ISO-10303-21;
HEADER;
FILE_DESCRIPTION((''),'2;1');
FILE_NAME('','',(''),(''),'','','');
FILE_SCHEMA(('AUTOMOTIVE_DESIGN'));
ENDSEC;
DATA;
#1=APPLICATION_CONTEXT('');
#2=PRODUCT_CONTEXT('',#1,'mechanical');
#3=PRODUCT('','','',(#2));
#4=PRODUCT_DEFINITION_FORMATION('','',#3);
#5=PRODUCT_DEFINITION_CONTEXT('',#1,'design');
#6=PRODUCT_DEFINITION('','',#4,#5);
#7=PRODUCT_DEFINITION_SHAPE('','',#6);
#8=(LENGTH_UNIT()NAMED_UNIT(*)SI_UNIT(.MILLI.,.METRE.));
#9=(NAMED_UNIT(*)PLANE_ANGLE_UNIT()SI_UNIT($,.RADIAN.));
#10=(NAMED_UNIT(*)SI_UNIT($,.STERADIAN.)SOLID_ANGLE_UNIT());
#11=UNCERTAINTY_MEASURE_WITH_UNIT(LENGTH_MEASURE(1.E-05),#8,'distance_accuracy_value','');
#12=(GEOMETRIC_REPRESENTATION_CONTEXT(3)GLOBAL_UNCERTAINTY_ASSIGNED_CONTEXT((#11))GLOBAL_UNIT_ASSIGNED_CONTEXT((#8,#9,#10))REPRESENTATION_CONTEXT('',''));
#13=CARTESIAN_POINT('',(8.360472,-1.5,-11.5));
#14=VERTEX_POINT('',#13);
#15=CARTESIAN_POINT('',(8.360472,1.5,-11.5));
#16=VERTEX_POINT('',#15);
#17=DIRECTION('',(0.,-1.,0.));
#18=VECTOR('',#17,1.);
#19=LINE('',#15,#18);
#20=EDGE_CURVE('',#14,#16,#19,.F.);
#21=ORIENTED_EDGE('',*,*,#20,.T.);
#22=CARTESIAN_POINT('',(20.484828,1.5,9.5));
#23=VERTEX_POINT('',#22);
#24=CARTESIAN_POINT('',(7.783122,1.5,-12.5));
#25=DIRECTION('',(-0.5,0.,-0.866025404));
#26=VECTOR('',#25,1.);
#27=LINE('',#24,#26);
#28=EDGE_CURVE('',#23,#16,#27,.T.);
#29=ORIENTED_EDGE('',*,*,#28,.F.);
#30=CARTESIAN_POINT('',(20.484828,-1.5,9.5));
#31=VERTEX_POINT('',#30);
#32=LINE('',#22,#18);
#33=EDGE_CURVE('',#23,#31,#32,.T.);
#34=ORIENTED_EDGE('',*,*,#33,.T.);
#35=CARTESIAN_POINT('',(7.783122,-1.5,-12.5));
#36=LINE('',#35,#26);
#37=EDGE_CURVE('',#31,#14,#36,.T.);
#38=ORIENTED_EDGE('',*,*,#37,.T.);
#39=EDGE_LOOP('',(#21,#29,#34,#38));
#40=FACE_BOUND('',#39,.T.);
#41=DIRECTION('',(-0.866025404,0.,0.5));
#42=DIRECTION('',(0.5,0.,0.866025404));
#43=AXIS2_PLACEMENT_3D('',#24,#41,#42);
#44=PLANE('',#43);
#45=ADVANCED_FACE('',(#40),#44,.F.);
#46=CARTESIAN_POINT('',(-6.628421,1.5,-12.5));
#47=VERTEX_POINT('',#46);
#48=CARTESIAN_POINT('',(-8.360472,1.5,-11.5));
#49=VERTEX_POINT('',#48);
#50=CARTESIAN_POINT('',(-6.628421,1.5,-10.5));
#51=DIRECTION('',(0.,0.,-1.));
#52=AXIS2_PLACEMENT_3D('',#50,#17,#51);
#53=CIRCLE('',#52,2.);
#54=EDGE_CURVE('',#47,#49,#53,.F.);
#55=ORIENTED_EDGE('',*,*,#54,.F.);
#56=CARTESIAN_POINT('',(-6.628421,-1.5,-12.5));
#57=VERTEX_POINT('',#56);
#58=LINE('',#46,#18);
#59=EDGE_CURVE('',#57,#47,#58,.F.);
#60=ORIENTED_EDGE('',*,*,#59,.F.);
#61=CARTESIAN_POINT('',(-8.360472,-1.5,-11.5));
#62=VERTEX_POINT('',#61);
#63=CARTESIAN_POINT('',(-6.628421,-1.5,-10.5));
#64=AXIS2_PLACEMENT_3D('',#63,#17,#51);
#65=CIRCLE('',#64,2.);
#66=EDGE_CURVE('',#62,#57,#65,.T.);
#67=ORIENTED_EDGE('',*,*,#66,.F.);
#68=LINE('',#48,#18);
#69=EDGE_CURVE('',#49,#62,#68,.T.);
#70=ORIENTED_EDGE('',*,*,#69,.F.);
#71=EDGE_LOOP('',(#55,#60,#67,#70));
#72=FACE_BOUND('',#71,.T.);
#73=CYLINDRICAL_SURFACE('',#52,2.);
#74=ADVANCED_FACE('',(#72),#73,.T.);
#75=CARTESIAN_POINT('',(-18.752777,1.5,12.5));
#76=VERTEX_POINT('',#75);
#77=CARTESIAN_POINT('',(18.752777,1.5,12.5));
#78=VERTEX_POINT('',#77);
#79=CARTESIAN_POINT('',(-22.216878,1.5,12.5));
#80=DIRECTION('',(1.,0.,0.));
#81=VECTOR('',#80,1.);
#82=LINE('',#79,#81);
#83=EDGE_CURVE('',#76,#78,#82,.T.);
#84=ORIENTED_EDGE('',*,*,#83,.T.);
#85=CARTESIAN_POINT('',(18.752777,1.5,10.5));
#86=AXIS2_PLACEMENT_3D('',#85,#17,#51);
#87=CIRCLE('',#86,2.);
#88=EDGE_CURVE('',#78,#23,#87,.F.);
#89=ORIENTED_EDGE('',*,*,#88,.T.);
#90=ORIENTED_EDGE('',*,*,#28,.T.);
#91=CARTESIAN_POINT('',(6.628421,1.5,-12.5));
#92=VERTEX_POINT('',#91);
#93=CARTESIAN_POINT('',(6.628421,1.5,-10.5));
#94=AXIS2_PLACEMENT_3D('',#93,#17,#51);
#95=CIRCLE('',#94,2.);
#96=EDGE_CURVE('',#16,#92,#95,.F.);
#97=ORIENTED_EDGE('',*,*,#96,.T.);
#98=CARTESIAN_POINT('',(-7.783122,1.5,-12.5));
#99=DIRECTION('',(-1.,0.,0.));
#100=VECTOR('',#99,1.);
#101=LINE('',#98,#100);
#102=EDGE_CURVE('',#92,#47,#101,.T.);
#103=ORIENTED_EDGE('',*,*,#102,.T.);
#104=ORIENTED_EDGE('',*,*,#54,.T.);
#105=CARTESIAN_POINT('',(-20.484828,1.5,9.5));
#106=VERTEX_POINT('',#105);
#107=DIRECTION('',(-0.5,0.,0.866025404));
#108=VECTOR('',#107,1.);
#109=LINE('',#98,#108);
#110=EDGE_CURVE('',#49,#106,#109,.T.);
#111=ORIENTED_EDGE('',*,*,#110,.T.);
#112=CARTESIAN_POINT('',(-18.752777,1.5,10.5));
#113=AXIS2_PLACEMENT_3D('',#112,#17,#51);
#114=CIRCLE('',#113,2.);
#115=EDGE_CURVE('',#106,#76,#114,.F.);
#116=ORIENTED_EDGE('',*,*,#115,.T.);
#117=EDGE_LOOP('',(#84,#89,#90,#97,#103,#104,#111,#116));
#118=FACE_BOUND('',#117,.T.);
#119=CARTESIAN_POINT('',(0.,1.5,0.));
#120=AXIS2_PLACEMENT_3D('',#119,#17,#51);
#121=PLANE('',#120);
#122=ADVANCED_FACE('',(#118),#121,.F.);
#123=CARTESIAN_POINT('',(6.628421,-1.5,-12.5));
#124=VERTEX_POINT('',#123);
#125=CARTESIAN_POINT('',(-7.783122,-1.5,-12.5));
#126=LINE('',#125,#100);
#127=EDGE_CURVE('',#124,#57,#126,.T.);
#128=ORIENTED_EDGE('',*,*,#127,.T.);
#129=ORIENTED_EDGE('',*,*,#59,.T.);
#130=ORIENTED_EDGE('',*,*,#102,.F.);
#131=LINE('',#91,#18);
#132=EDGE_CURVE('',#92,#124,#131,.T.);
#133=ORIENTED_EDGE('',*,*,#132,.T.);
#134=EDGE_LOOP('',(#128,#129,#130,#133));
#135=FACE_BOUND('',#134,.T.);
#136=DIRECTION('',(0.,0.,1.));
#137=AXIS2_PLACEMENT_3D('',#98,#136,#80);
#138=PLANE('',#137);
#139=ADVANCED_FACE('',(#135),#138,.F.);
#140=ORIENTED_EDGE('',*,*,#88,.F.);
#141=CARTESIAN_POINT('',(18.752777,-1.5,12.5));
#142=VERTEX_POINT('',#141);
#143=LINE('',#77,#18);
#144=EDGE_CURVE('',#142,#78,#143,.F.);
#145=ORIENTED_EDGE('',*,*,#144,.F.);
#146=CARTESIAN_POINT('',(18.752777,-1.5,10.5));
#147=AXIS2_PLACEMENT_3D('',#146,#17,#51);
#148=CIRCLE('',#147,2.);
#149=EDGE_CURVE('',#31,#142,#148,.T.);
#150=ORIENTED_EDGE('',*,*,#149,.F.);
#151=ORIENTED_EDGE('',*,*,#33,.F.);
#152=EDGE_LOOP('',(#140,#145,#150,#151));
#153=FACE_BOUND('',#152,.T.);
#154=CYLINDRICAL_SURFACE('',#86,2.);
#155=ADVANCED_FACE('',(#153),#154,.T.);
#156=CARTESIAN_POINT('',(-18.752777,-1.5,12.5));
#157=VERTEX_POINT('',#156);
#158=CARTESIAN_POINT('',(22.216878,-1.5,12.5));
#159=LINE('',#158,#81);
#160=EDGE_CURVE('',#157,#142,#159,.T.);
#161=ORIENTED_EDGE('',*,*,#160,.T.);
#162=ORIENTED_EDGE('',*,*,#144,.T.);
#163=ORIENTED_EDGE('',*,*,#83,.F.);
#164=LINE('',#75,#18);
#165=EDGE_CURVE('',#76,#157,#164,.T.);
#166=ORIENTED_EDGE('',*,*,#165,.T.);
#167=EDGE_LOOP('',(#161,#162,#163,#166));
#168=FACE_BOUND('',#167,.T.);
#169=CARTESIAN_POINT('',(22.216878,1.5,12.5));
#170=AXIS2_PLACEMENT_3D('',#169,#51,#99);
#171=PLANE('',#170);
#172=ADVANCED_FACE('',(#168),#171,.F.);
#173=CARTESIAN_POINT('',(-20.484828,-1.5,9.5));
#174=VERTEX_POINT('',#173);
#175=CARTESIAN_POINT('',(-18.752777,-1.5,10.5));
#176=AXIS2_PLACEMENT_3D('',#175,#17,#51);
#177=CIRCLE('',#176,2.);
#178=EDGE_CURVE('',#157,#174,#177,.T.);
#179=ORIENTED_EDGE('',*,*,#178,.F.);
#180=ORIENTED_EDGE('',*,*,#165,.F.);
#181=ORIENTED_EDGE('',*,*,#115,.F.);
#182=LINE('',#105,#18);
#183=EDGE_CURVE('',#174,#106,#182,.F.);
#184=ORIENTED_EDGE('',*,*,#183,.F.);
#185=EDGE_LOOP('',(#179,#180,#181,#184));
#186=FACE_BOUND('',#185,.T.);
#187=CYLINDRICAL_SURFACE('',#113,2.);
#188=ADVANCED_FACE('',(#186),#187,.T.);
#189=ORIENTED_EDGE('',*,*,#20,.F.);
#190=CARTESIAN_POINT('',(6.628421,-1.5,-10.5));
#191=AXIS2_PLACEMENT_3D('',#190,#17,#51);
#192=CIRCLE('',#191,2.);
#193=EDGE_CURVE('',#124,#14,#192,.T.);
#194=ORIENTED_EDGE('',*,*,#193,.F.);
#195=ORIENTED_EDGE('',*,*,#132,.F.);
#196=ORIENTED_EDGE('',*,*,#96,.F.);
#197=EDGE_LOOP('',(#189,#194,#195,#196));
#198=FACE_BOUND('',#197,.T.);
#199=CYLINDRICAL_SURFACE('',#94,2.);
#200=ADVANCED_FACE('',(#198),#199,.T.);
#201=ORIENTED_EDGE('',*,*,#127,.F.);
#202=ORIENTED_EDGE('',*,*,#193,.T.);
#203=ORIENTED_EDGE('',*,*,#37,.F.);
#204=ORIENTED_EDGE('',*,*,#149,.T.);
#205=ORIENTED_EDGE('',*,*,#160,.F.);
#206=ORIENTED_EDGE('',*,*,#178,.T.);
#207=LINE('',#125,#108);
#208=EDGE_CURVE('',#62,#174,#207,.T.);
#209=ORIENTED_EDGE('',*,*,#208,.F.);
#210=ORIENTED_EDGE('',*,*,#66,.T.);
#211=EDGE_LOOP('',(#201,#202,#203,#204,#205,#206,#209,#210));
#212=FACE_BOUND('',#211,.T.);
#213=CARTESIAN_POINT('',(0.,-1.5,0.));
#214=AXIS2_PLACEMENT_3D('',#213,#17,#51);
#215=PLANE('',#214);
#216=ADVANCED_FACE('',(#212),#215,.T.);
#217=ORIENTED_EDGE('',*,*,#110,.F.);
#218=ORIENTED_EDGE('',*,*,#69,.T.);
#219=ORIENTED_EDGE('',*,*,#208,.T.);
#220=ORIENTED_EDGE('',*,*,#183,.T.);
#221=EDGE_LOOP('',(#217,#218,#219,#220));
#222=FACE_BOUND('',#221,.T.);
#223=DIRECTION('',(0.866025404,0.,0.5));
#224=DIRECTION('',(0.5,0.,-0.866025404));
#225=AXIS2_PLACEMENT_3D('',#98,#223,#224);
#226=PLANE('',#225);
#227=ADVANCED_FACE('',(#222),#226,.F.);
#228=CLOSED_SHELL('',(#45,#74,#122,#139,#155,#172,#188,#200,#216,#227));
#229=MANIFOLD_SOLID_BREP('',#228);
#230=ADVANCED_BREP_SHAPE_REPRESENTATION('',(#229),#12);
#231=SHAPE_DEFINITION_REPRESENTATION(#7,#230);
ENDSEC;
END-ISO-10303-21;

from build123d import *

# Parameters (mm, degrees)
BOSS_EXTRUDE1_DEPTH = 1.5
FILLET5_R           = 2


with BuildPart() as part:
    # Sketch1 → Boss-Extrude1 (new, symmetric)
    with BuildSketch(Plane(origin=(0, 0, 0), x_dir=(1, 0, 0), z_dir=(0, 1, 0))):
        Polygon((-14.297771125, -12.5), (14.297771125, -12.5), (22.216878365, -12.5), (7.783121635, 12.5), (-7.783121635, 12.5), (-22.216878365, -12.5), align=None)
    extrude(amount=BOSS_EXTRUDE1_DEPTH, both=True)

    # Fillet5
    fillet5_edges = [part.edges().sort_by_distance(p)[0] for p in [
        (-22.216878365, 0, 12.5),
        (-7.783121635, 0, -12.5),
        (7.783121635, 0, -12.5),
        (22.216878365, 0, 12.5),
    ]]
    fillet(fillet5_edges, radius=FILLET5_R)


solid = part.part
